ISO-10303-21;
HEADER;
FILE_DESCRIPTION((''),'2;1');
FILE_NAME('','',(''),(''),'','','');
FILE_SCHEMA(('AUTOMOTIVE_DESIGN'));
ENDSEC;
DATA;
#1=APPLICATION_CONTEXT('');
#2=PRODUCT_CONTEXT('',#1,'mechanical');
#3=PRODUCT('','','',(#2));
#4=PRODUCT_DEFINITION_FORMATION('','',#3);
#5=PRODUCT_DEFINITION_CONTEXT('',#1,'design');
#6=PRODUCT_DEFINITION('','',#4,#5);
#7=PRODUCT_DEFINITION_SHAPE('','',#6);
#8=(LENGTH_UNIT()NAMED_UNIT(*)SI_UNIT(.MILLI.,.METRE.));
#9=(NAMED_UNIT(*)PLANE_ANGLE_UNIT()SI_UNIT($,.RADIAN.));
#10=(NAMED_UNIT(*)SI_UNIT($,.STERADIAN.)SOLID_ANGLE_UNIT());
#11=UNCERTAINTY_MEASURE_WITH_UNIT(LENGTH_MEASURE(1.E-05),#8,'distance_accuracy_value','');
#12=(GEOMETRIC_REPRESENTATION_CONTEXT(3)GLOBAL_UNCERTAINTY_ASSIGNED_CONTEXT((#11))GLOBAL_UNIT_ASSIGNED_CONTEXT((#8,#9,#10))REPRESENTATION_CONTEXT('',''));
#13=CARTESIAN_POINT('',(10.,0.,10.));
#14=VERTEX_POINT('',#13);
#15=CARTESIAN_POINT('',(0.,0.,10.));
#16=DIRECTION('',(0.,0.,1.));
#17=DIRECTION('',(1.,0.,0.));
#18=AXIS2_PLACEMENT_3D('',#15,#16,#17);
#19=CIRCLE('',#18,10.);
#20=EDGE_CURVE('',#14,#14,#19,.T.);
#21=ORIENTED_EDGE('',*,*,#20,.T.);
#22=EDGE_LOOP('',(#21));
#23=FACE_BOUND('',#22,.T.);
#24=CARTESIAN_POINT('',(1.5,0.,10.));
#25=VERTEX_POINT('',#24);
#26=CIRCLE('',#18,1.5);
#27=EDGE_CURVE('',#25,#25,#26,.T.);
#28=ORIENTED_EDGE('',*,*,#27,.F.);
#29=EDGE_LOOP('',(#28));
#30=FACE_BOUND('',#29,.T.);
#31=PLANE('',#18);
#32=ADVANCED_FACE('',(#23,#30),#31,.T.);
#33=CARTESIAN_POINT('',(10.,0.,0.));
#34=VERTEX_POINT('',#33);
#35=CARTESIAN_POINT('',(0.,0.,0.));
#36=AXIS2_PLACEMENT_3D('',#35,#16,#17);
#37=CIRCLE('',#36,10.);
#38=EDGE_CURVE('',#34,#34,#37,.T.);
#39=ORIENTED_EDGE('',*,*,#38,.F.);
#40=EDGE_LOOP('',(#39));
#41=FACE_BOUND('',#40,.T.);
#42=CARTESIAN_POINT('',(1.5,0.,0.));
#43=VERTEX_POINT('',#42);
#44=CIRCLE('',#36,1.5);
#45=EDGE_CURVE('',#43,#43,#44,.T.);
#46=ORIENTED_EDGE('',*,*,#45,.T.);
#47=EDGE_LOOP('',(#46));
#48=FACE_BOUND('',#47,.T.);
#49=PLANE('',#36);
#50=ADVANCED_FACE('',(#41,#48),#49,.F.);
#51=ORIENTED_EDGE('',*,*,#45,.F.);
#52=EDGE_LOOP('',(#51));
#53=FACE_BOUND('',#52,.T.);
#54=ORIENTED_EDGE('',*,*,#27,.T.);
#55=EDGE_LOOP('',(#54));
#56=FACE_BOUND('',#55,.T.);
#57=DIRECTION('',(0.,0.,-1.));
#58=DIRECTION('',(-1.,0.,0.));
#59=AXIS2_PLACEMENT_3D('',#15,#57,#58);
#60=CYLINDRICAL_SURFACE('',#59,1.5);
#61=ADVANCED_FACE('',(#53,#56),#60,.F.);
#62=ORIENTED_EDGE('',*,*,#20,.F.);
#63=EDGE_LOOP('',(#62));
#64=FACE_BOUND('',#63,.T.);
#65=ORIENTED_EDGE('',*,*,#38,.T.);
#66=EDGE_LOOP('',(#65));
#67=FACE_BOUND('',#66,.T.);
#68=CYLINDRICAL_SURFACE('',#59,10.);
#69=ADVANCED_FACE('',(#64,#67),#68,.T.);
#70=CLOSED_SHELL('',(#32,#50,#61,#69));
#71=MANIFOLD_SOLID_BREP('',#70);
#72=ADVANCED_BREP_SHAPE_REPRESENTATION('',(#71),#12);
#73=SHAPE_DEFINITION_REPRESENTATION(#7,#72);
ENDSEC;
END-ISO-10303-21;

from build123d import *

# Parameters (mm, degrees)
ESQUISSE1_R        = 10
ESQUISSE1_R_2      = 1.5
BOSS_EXTRU_1_DEPTH = 10


with BuildPart() as part:
    # Esquisse1 → Boss.-Extru.1 (new body)
    with BuildSketch(Plane.XY):
        Circle(ESQUISSE1_R)
        Circle(ESQUISSE1_R_2, mode=Mode.SUBTRACT)
    extrude(amount=BOSS_EXTRU_1_DEPTH)


solid = part.part
